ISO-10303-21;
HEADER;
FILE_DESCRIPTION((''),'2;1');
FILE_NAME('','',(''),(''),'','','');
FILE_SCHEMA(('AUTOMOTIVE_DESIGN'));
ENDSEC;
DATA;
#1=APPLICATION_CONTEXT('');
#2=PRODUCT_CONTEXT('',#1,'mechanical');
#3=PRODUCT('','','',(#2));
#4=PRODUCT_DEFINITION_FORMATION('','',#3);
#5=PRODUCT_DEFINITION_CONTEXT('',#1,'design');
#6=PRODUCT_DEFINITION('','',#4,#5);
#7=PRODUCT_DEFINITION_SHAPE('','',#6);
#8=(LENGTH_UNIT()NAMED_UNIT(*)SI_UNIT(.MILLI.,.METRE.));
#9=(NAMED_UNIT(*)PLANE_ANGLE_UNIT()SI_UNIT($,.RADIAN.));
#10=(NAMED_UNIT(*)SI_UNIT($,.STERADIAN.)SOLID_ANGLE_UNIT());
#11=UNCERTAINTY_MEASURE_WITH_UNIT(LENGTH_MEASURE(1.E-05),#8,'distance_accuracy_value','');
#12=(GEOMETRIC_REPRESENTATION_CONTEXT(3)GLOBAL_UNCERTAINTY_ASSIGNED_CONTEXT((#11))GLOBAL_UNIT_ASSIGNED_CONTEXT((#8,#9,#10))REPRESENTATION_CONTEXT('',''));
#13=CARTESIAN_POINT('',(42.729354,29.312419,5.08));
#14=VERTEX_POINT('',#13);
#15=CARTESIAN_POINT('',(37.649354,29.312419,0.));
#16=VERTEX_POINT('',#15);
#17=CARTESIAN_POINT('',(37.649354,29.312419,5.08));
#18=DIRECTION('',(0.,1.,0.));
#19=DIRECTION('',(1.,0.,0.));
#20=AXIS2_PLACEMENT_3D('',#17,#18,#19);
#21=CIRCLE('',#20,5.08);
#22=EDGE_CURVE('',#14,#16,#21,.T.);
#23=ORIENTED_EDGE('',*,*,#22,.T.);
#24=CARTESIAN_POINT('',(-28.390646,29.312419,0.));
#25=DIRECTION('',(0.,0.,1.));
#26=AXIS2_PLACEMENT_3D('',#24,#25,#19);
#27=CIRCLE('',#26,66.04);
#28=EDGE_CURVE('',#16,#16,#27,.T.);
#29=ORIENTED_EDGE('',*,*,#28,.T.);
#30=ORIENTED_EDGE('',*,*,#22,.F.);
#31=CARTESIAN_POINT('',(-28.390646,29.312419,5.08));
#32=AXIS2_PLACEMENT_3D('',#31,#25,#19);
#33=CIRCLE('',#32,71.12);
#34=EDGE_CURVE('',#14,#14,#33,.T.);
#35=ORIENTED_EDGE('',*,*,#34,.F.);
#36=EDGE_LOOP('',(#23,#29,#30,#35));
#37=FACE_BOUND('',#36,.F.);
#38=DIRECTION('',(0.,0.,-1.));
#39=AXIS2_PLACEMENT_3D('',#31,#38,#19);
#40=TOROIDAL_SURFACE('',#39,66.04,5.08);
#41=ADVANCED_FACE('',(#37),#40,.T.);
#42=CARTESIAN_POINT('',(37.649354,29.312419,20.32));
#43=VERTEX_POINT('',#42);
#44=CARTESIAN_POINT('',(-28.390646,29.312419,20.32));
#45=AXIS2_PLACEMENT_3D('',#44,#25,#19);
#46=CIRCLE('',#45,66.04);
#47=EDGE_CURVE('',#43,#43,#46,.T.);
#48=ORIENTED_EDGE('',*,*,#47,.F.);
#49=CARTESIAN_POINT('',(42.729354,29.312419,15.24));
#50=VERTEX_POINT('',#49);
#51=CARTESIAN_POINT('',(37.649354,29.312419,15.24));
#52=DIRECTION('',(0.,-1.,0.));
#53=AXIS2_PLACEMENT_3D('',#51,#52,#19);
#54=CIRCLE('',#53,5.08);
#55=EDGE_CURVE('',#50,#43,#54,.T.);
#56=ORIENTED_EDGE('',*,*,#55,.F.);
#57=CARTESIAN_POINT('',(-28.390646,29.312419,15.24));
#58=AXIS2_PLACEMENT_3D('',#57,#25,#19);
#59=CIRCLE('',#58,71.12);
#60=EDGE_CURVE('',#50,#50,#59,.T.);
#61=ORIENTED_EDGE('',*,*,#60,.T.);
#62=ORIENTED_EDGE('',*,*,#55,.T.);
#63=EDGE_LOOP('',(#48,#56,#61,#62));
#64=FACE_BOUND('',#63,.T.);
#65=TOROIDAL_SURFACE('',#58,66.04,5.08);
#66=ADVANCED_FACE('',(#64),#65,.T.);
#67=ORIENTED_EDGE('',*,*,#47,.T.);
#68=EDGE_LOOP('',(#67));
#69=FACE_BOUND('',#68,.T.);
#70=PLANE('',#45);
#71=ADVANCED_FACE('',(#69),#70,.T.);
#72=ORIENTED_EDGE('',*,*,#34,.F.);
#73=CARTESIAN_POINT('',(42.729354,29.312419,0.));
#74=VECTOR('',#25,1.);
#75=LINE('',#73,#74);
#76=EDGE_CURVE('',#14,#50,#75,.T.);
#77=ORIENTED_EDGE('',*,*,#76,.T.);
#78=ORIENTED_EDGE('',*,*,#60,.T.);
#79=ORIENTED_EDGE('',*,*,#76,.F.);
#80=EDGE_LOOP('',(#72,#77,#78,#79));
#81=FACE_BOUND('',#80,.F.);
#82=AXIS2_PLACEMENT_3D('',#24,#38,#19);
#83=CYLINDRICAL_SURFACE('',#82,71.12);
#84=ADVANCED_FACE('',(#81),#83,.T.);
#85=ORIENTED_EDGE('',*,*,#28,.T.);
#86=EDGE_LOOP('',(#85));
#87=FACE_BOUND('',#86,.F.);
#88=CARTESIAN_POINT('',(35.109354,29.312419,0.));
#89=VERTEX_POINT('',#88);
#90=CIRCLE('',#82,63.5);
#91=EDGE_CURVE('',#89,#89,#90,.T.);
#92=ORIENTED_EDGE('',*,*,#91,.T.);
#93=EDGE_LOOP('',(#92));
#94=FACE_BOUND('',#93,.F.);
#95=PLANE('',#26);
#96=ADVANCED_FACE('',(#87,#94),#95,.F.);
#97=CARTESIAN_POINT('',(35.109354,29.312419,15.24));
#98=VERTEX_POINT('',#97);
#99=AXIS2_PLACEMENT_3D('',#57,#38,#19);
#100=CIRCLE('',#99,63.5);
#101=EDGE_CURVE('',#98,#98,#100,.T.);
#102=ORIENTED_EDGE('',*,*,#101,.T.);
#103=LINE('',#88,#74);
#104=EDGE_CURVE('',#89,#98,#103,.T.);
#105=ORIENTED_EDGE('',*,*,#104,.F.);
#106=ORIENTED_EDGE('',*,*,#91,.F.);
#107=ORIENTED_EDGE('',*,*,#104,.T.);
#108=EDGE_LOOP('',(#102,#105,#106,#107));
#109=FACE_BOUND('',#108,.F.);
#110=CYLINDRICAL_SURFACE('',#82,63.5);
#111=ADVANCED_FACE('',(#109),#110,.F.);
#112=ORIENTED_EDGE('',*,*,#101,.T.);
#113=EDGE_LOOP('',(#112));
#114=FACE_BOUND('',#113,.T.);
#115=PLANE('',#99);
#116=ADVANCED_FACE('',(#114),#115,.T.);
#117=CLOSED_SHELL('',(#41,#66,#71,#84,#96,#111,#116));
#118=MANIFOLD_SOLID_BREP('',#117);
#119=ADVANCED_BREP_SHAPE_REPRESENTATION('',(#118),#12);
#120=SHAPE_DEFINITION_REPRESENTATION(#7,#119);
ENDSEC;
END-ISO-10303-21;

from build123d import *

# Parameters (mm, degrees)
F0_R     = 71.12
F1_DEPTH = 20.32
F2_R     = 63.5
F3_DEPTH = 15.24
F4_R     = 5.08


with BuildPart() as f1:
    # F0 (on Top) → F1 (new body)
    with BuildSketch(Plane.XY):
        with Locations((-28.390646, 29.312419)):
            Circle(F0_R)
    extrude(amount=F1_DEPTH)

    # F2 (on face) → F3 (cut)
    with BuildSketch(Plane(origin=(0, 0, 0), x_dir=(1, 0, 0), z_dir=(0, 0, -1))):
        with Locations((-28.390646, -29.312419)):
            Circle(F2_R)
    extrude(amount=-F3_DEPTH, mode=Mode.SUBTRACT)

    # F4
    f4_edges = [f1.edges().sort_by_distance(p)[0] for p in [
        (-99.510646, 29.312419, 20.32),
        (-99.510646, 29.312419, 0),
    ]]
    fillet(f4_edges, radius=F4_R)


solid = f1.part
